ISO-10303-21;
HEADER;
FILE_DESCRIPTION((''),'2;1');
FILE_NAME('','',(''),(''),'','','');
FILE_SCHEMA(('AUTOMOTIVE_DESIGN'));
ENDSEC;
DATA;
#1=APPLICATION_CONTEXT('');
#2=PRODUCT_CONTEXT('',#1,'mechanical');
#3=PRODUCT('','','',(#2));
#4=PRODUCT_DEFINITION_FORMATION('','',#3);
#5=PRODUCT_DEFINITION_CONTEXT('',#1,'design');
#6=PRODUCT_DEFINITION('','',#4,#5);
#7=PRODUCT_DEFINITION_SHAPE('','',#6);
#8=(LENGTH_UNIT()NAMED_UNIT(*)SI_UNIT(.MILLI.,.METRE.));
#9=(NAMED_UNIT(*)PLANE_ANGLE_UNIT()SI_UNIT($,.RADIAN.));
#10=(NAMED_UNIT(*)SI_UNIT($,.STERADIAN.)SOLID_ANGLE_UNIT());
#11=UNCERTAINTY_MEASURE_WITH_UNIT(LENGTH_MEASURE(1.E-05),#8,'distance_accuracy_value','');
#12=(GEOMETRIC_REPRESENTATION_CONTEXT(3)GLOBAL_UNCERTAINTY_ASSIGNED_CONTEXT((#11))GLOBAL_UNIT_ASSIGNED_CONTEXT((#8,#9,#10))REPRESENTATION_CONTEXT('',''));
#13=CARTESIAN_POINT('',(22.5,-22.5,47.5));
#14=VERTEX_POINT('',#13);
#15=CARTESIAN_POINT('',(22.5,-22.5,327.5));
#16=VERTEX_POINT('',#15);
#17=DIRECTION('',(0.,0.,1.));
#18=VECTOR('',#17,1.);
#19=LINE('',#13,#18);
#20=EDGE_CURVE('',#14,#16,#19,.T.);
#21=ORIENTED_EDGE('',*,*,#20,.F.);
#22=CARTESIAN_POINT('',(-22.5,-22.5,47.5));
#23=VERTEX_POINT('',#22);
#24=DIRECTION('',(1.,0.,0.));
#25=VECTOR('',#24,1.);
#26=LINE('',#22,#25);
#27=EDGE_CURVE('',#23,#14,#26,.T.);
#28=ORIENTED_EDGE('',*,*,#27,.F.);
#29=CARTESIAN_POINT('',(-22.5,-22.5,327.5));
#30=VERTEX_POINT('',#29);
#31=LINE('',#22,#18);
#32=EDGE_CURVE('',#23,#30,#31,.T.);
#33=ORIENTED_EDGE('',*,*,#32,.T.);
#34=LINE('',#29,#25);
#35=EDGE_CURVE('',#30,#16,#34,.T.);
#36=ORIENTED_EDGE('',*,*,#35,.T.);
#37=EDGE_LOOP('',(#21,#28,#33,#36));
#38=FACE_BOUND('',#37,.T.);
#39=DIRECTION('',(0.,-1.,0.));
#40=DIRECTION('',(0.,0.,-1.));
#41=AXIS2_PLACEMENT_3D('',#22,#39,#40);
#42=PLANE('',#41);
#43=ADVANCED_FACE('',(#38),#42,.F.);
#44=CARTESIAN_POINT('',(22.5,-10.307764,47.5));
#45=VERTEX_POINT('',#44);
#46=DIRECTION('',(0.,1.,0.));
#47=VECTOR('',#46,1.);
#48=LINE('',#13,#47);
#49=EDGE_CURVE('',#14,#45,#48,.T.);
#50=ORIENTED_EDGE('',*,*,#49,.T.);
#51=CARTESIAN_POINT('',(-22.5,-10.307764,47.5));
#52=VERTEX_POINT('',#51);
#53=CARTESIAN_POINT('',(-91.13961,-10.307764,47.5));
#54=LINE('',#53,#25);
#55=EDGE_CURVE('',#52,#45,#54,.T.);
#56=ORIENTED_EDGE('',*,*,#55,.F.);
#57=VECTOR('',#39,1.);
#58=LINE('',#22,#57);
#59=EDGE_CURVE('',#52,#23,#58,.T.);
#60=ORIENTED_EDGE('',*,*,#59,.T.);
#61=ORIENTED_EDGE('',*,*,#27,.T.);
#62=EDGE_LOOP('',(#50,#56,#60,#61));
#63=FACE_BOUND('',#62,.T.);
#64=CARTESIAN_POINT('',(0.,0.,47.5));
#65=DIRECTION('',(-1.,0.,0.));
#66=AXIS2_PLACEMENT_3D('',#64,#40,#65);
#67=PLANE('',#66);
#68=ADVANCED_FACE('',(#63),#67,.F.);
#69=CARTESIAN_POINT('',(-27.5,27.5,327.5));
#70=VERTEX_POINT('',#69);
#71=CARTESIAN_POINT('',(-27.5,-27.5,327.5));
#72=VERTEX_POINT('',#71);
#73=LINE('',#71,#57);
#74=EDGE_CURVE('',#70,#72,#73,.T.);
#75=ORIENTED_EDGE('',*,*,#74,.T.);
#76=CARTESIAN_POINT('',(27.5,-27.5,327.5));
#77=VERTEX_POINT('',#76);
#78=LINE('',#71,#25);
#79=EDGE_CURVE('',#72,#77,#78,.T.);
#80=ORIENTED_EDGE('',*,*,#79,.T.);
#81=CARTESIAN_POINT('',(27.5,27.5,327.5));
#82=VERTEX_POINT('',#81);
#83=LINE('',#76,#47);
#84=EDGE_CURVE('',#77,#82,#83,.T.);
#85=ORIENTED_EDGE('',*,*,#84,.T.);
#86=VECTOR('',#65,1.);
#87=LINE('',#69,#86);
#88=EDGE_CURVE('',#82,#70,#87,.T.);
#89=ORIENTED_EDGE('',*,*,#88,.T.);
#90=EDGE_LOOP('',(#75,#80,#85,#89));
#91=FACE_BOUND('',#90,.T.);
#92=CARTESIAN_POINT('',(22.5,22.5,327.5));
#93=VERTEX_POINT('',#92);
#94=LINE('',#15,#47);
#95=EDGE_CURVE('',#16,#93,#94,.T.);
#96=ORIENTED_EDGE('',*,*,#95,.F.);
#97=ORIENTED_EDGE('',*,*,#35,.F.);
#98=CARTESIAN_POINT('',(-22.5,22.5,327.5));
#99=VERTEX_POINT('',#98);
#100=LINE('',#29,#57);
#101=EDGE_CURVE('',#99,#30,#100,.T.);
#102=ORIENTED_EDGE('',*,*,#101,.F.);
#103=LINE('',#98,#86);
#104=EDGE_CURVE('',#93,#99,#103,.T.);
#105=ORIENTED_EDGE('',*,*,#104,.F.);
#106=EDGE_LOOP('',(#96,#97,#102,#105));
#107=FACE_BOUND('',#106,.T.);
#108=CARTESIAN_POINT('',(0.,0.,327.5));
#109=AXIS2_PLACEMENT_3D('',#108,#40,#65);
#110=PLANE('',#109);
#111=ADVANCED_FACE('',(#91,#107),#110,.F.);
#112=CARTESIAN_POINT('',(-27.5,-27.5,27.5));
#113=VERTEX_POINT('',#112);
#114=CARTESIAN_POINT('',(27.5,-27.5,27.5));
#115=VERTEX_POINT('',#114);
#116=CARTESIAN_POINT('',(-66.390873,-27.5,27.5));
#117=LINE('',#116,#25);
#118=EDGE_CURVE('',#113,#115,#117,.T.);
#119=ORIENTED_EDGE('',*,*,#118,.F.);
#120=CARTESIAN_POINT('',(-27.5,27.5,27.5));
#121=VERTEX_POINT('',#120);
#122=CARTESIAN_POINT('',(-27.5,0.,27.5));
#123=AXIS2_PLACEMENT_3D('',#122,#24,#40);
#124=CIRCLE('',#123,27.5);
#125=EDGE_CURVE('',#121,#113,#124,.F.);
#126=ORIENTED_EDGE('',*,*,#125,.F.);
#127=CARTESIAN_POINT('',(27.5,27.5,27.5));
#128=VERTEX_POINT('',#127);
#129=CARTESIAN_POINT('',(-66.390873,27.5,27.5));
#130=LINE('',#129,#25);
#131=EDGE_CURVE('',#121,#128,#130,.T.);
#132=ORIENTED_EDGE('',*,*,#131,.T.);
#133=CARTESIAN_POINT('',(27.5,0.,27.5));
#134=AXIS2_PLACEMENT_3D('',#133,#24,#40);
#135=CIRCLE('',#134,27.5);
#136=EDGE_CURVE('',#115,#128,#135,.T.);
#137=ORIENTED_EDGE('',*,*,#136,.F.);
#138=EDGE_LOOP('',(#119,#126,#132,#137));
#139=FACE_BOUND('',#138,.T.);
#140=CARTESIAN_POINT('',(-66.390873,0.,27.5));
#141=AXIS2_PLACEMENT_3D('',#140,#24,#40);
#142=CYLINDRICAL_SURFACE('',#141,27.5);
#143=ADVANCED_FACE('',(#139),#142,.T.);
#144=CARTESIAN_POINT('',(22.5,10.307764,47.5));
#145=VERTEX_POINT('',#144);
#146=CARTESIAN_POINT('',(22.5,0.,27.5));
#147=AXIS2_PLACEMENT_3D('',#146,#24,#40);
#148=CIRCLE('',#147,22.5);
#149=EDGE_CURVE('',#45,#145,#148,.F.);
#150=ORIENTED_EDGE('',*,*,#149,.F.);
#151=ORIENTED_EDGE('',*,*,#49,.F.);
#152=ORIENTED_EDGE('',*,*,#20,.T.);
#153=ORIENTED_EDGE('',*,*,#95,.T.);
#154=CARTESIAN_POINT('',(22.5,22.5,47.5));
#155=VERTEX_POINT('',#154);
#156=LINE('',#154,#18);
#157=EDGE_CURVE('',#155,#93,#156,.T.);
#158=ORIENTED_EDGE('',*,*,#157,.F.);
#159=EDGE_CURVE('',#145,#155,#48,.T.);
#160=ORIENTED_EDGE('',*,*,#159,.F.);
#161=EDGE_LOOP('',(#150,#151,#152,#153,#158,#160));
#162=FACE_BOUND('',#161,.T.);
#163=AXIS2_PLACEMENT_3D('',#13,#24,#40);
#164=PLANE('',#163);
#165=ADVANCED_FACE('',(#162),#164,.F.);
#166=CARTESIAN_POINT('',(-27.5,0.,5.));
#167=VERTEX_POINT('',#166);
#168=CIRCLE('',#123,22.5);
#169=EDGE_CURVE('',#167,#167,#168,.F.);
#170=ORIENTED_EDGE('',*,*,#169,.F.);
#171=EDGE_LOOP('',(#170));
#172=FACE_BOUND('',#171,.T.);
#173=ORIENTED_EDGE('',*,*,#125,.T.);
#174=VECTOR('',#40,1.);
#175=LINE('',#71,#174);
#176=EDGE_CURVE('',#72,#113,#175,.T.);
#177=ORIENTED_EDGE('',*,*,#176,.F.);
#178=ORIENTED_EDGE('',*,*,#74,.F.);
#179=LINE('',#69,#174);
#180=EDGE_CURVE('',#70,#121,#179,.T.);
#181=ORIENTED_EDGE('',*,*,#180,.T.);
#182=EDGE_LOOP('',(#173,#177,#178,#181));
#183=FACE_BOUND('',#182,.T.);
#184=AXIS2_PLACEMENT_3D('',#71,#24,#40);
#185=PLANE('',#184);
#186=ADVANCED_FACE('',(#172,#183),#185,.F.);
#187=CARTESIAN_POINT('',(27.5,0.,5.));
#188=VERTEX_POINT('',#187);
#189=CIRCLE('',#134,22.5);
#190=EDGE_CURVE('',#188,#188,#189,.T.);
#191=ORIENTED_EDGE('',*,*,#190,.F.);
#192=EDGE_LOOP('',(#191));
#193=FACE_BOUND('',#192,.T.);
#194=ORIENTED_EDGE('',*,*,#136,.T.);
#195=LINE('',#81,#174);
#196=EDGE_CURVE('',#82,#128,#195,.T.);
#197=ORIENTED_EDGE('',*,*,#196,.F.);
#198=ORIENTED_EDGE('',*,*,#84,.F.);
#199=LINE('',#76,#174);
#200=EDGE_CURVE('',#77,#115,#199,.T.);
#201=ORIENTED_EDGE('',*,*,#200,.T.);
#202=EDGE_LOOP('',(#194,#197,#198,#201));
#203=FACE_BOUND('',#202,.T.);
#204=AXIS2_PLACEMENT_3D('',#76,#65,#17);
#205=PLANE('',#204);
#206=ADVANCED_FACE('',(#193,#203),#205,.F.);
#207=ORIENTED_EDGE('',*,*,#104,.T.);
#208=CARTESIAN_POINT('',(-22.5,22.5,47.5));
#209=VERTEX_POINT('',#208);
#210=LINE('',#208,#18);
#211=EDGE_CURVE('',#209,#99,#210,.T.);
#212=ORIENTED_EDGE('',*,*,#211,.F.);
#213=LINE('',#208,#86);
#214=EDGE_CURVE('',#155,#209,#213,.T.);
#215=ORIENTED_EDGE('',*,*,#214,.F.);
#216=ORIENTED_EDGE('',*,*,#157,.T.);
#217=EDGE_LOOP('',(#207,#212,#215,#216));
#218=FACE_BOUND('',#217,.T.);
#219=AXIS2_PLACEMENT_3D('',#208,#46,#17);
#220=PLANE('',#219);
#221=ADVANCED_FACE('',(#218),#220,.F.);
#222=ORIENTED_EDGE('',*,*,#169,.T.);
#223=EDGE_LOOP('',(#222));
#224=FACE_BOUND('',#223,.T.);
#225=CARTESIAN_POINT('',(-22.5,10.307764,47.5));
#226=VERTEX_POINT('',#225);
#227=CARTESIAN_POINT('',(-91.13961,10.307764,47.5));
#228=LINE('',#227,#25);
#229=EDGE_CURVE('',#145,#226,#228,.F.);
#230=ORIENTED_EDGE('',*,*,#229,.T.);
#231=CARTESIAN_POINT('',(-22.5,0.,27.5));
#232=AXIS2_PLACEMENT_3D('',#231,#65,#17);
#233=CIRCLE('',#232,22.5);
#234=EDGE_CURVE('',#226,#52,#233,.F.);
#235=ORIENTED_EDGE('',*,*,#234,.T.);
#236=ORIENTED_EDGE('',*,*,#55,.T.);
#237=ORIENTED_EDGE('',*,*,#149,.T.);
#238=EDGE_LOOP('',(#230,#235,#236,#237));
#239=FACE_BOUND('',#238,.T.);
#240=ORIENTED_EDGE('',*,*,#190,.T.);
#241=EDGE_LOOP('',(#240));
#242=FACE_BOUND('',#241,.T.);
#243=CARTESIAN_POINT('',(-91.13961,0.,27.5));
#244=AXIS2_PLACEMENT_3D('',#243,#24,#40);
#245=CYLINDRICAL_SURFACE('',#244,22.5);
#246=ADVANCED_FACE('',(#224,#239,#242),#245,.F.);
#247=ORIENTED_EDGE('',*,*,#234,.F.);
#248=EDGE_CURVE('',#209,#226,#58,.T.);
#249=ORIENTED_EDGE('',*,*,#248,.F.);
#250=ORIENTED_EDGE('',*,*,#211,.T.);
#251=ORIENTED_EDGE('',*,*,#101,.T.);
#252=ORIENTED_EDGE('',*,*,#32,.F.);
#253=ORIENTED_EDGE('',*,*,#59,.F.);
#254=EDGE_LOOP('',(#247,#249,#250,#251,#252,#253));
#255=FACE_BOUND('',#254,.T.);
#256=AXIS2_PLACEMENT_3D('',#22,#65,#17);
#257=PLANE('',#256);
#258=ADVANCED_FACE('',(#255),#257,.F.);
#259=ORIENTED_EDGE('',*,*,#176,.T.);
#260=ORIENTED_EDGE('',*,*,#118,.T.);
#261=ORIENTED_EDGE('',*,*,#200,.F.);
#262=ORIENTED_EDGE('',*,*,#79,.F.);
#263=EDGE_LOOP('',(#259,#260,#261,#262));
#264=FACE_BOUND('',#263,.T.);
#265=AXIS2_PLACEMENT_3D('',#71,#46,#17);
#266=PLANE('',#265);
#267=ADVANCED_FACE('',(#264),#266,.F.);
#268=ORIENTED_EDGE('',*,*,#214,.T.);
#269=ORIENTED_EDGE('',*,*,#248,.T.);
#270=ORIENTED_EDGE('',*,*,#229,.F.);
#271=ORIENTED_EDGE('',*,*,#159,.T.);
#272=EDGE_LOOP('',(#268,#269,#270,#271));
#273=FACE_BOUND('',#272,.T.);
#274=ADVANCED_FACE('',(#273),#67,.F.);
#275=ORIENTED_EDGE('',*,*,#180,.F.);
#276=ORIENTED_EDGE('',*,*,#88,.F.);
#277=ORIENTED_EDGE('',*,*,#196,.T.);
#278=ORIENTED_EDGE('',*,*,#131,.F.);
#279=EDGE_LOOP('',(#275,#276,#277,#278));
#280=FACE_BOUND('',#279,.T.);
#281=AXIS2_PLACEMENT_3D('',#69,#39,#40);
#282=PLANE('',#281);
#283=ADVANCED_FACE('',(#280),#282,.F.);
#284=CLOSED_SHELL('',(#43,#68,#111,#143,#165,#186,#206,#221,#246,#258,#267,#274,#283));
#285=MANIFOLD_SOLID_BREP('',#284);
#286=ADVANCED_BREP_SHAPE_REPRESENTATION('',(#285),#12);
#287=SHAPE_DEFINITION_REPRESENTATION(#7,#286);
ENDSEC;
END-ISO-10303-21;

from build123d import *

# Parameters (mm, degrees)
SKETCH1_W           = 55
SKETCH1_H           = 55
BOSS_EXTRUDE1_DEPTH = 327.5
SKETCH2_R           = 22.5
CUT_EXTRUDE1_DEPTH  = 55
CUT_EXTRUDE2_DEPTH  = 55
SKETCH4_W           = 45
SKETCH4_H           = 45
CUT_EXTRUDE3_DEPTH  = 280


with BuildPart() as part:
    # Sketch1 → Boss-Extrude1 (new body)
    with BuildSketch(Plane.XY):
        Rectangle(SKETCH1_W, SKETCH1_H)
    extrude(amount=BOSS_EXTRUDE1_DEPTH)

    # Sketch2 → Cut-Extrude1 (cut)
    with BuildSketch(Plane(origin=(27.5, 0, 0), x_dir=(0, 0, -1), z_dir=(1, 0, 0))):
        with Locations((-27.5, 0)):
            Circle(SKETCH2_R)
    extrude(amount=-CUT_EXTRUDE1_DEPTH, mode=Mode.SUBTRACT)

    # Sketch3 → Cut-Extrude2 (cut)
    with BuildSketch(Plane(origin=(27.5, 0, 0), x_dir=(0, 0, -1), z_dir=(1, 0, 0))):
        with BuildLine():
            Line((0, 27.5), (-27.5, 27.5))
            ThreePointArc((-27.5, 27.5), (-8.054563517, 19.445436483), (0, 0))
            Line((0, 0), (0, 27.5))
        make_face()
        with BuildLine():
            Line((0, -27.5), (0, 0))
            ThreePointArc((0, 0), (-8.054563517, -19.445436483), (-27.5, -27.5))
            Line((-27.5, -27.5), (0, -27.5))
        make_face()
    extrude(amount=-CUT_EXTRUDE2_DEPTH, mode=Mode.SUBTRACT)

    # Sketch4 → Cut-Extrude3 (cut)
    with BuildSketch(Plane.XY.offset(327.5)):
        Rectangle(SKETCH4_W, SKETCH4_H)
    extrude(amount=-CUT_EXTRUDE3_DEPTH, mode=Mode.SUBTRACT)


solid = part.part
